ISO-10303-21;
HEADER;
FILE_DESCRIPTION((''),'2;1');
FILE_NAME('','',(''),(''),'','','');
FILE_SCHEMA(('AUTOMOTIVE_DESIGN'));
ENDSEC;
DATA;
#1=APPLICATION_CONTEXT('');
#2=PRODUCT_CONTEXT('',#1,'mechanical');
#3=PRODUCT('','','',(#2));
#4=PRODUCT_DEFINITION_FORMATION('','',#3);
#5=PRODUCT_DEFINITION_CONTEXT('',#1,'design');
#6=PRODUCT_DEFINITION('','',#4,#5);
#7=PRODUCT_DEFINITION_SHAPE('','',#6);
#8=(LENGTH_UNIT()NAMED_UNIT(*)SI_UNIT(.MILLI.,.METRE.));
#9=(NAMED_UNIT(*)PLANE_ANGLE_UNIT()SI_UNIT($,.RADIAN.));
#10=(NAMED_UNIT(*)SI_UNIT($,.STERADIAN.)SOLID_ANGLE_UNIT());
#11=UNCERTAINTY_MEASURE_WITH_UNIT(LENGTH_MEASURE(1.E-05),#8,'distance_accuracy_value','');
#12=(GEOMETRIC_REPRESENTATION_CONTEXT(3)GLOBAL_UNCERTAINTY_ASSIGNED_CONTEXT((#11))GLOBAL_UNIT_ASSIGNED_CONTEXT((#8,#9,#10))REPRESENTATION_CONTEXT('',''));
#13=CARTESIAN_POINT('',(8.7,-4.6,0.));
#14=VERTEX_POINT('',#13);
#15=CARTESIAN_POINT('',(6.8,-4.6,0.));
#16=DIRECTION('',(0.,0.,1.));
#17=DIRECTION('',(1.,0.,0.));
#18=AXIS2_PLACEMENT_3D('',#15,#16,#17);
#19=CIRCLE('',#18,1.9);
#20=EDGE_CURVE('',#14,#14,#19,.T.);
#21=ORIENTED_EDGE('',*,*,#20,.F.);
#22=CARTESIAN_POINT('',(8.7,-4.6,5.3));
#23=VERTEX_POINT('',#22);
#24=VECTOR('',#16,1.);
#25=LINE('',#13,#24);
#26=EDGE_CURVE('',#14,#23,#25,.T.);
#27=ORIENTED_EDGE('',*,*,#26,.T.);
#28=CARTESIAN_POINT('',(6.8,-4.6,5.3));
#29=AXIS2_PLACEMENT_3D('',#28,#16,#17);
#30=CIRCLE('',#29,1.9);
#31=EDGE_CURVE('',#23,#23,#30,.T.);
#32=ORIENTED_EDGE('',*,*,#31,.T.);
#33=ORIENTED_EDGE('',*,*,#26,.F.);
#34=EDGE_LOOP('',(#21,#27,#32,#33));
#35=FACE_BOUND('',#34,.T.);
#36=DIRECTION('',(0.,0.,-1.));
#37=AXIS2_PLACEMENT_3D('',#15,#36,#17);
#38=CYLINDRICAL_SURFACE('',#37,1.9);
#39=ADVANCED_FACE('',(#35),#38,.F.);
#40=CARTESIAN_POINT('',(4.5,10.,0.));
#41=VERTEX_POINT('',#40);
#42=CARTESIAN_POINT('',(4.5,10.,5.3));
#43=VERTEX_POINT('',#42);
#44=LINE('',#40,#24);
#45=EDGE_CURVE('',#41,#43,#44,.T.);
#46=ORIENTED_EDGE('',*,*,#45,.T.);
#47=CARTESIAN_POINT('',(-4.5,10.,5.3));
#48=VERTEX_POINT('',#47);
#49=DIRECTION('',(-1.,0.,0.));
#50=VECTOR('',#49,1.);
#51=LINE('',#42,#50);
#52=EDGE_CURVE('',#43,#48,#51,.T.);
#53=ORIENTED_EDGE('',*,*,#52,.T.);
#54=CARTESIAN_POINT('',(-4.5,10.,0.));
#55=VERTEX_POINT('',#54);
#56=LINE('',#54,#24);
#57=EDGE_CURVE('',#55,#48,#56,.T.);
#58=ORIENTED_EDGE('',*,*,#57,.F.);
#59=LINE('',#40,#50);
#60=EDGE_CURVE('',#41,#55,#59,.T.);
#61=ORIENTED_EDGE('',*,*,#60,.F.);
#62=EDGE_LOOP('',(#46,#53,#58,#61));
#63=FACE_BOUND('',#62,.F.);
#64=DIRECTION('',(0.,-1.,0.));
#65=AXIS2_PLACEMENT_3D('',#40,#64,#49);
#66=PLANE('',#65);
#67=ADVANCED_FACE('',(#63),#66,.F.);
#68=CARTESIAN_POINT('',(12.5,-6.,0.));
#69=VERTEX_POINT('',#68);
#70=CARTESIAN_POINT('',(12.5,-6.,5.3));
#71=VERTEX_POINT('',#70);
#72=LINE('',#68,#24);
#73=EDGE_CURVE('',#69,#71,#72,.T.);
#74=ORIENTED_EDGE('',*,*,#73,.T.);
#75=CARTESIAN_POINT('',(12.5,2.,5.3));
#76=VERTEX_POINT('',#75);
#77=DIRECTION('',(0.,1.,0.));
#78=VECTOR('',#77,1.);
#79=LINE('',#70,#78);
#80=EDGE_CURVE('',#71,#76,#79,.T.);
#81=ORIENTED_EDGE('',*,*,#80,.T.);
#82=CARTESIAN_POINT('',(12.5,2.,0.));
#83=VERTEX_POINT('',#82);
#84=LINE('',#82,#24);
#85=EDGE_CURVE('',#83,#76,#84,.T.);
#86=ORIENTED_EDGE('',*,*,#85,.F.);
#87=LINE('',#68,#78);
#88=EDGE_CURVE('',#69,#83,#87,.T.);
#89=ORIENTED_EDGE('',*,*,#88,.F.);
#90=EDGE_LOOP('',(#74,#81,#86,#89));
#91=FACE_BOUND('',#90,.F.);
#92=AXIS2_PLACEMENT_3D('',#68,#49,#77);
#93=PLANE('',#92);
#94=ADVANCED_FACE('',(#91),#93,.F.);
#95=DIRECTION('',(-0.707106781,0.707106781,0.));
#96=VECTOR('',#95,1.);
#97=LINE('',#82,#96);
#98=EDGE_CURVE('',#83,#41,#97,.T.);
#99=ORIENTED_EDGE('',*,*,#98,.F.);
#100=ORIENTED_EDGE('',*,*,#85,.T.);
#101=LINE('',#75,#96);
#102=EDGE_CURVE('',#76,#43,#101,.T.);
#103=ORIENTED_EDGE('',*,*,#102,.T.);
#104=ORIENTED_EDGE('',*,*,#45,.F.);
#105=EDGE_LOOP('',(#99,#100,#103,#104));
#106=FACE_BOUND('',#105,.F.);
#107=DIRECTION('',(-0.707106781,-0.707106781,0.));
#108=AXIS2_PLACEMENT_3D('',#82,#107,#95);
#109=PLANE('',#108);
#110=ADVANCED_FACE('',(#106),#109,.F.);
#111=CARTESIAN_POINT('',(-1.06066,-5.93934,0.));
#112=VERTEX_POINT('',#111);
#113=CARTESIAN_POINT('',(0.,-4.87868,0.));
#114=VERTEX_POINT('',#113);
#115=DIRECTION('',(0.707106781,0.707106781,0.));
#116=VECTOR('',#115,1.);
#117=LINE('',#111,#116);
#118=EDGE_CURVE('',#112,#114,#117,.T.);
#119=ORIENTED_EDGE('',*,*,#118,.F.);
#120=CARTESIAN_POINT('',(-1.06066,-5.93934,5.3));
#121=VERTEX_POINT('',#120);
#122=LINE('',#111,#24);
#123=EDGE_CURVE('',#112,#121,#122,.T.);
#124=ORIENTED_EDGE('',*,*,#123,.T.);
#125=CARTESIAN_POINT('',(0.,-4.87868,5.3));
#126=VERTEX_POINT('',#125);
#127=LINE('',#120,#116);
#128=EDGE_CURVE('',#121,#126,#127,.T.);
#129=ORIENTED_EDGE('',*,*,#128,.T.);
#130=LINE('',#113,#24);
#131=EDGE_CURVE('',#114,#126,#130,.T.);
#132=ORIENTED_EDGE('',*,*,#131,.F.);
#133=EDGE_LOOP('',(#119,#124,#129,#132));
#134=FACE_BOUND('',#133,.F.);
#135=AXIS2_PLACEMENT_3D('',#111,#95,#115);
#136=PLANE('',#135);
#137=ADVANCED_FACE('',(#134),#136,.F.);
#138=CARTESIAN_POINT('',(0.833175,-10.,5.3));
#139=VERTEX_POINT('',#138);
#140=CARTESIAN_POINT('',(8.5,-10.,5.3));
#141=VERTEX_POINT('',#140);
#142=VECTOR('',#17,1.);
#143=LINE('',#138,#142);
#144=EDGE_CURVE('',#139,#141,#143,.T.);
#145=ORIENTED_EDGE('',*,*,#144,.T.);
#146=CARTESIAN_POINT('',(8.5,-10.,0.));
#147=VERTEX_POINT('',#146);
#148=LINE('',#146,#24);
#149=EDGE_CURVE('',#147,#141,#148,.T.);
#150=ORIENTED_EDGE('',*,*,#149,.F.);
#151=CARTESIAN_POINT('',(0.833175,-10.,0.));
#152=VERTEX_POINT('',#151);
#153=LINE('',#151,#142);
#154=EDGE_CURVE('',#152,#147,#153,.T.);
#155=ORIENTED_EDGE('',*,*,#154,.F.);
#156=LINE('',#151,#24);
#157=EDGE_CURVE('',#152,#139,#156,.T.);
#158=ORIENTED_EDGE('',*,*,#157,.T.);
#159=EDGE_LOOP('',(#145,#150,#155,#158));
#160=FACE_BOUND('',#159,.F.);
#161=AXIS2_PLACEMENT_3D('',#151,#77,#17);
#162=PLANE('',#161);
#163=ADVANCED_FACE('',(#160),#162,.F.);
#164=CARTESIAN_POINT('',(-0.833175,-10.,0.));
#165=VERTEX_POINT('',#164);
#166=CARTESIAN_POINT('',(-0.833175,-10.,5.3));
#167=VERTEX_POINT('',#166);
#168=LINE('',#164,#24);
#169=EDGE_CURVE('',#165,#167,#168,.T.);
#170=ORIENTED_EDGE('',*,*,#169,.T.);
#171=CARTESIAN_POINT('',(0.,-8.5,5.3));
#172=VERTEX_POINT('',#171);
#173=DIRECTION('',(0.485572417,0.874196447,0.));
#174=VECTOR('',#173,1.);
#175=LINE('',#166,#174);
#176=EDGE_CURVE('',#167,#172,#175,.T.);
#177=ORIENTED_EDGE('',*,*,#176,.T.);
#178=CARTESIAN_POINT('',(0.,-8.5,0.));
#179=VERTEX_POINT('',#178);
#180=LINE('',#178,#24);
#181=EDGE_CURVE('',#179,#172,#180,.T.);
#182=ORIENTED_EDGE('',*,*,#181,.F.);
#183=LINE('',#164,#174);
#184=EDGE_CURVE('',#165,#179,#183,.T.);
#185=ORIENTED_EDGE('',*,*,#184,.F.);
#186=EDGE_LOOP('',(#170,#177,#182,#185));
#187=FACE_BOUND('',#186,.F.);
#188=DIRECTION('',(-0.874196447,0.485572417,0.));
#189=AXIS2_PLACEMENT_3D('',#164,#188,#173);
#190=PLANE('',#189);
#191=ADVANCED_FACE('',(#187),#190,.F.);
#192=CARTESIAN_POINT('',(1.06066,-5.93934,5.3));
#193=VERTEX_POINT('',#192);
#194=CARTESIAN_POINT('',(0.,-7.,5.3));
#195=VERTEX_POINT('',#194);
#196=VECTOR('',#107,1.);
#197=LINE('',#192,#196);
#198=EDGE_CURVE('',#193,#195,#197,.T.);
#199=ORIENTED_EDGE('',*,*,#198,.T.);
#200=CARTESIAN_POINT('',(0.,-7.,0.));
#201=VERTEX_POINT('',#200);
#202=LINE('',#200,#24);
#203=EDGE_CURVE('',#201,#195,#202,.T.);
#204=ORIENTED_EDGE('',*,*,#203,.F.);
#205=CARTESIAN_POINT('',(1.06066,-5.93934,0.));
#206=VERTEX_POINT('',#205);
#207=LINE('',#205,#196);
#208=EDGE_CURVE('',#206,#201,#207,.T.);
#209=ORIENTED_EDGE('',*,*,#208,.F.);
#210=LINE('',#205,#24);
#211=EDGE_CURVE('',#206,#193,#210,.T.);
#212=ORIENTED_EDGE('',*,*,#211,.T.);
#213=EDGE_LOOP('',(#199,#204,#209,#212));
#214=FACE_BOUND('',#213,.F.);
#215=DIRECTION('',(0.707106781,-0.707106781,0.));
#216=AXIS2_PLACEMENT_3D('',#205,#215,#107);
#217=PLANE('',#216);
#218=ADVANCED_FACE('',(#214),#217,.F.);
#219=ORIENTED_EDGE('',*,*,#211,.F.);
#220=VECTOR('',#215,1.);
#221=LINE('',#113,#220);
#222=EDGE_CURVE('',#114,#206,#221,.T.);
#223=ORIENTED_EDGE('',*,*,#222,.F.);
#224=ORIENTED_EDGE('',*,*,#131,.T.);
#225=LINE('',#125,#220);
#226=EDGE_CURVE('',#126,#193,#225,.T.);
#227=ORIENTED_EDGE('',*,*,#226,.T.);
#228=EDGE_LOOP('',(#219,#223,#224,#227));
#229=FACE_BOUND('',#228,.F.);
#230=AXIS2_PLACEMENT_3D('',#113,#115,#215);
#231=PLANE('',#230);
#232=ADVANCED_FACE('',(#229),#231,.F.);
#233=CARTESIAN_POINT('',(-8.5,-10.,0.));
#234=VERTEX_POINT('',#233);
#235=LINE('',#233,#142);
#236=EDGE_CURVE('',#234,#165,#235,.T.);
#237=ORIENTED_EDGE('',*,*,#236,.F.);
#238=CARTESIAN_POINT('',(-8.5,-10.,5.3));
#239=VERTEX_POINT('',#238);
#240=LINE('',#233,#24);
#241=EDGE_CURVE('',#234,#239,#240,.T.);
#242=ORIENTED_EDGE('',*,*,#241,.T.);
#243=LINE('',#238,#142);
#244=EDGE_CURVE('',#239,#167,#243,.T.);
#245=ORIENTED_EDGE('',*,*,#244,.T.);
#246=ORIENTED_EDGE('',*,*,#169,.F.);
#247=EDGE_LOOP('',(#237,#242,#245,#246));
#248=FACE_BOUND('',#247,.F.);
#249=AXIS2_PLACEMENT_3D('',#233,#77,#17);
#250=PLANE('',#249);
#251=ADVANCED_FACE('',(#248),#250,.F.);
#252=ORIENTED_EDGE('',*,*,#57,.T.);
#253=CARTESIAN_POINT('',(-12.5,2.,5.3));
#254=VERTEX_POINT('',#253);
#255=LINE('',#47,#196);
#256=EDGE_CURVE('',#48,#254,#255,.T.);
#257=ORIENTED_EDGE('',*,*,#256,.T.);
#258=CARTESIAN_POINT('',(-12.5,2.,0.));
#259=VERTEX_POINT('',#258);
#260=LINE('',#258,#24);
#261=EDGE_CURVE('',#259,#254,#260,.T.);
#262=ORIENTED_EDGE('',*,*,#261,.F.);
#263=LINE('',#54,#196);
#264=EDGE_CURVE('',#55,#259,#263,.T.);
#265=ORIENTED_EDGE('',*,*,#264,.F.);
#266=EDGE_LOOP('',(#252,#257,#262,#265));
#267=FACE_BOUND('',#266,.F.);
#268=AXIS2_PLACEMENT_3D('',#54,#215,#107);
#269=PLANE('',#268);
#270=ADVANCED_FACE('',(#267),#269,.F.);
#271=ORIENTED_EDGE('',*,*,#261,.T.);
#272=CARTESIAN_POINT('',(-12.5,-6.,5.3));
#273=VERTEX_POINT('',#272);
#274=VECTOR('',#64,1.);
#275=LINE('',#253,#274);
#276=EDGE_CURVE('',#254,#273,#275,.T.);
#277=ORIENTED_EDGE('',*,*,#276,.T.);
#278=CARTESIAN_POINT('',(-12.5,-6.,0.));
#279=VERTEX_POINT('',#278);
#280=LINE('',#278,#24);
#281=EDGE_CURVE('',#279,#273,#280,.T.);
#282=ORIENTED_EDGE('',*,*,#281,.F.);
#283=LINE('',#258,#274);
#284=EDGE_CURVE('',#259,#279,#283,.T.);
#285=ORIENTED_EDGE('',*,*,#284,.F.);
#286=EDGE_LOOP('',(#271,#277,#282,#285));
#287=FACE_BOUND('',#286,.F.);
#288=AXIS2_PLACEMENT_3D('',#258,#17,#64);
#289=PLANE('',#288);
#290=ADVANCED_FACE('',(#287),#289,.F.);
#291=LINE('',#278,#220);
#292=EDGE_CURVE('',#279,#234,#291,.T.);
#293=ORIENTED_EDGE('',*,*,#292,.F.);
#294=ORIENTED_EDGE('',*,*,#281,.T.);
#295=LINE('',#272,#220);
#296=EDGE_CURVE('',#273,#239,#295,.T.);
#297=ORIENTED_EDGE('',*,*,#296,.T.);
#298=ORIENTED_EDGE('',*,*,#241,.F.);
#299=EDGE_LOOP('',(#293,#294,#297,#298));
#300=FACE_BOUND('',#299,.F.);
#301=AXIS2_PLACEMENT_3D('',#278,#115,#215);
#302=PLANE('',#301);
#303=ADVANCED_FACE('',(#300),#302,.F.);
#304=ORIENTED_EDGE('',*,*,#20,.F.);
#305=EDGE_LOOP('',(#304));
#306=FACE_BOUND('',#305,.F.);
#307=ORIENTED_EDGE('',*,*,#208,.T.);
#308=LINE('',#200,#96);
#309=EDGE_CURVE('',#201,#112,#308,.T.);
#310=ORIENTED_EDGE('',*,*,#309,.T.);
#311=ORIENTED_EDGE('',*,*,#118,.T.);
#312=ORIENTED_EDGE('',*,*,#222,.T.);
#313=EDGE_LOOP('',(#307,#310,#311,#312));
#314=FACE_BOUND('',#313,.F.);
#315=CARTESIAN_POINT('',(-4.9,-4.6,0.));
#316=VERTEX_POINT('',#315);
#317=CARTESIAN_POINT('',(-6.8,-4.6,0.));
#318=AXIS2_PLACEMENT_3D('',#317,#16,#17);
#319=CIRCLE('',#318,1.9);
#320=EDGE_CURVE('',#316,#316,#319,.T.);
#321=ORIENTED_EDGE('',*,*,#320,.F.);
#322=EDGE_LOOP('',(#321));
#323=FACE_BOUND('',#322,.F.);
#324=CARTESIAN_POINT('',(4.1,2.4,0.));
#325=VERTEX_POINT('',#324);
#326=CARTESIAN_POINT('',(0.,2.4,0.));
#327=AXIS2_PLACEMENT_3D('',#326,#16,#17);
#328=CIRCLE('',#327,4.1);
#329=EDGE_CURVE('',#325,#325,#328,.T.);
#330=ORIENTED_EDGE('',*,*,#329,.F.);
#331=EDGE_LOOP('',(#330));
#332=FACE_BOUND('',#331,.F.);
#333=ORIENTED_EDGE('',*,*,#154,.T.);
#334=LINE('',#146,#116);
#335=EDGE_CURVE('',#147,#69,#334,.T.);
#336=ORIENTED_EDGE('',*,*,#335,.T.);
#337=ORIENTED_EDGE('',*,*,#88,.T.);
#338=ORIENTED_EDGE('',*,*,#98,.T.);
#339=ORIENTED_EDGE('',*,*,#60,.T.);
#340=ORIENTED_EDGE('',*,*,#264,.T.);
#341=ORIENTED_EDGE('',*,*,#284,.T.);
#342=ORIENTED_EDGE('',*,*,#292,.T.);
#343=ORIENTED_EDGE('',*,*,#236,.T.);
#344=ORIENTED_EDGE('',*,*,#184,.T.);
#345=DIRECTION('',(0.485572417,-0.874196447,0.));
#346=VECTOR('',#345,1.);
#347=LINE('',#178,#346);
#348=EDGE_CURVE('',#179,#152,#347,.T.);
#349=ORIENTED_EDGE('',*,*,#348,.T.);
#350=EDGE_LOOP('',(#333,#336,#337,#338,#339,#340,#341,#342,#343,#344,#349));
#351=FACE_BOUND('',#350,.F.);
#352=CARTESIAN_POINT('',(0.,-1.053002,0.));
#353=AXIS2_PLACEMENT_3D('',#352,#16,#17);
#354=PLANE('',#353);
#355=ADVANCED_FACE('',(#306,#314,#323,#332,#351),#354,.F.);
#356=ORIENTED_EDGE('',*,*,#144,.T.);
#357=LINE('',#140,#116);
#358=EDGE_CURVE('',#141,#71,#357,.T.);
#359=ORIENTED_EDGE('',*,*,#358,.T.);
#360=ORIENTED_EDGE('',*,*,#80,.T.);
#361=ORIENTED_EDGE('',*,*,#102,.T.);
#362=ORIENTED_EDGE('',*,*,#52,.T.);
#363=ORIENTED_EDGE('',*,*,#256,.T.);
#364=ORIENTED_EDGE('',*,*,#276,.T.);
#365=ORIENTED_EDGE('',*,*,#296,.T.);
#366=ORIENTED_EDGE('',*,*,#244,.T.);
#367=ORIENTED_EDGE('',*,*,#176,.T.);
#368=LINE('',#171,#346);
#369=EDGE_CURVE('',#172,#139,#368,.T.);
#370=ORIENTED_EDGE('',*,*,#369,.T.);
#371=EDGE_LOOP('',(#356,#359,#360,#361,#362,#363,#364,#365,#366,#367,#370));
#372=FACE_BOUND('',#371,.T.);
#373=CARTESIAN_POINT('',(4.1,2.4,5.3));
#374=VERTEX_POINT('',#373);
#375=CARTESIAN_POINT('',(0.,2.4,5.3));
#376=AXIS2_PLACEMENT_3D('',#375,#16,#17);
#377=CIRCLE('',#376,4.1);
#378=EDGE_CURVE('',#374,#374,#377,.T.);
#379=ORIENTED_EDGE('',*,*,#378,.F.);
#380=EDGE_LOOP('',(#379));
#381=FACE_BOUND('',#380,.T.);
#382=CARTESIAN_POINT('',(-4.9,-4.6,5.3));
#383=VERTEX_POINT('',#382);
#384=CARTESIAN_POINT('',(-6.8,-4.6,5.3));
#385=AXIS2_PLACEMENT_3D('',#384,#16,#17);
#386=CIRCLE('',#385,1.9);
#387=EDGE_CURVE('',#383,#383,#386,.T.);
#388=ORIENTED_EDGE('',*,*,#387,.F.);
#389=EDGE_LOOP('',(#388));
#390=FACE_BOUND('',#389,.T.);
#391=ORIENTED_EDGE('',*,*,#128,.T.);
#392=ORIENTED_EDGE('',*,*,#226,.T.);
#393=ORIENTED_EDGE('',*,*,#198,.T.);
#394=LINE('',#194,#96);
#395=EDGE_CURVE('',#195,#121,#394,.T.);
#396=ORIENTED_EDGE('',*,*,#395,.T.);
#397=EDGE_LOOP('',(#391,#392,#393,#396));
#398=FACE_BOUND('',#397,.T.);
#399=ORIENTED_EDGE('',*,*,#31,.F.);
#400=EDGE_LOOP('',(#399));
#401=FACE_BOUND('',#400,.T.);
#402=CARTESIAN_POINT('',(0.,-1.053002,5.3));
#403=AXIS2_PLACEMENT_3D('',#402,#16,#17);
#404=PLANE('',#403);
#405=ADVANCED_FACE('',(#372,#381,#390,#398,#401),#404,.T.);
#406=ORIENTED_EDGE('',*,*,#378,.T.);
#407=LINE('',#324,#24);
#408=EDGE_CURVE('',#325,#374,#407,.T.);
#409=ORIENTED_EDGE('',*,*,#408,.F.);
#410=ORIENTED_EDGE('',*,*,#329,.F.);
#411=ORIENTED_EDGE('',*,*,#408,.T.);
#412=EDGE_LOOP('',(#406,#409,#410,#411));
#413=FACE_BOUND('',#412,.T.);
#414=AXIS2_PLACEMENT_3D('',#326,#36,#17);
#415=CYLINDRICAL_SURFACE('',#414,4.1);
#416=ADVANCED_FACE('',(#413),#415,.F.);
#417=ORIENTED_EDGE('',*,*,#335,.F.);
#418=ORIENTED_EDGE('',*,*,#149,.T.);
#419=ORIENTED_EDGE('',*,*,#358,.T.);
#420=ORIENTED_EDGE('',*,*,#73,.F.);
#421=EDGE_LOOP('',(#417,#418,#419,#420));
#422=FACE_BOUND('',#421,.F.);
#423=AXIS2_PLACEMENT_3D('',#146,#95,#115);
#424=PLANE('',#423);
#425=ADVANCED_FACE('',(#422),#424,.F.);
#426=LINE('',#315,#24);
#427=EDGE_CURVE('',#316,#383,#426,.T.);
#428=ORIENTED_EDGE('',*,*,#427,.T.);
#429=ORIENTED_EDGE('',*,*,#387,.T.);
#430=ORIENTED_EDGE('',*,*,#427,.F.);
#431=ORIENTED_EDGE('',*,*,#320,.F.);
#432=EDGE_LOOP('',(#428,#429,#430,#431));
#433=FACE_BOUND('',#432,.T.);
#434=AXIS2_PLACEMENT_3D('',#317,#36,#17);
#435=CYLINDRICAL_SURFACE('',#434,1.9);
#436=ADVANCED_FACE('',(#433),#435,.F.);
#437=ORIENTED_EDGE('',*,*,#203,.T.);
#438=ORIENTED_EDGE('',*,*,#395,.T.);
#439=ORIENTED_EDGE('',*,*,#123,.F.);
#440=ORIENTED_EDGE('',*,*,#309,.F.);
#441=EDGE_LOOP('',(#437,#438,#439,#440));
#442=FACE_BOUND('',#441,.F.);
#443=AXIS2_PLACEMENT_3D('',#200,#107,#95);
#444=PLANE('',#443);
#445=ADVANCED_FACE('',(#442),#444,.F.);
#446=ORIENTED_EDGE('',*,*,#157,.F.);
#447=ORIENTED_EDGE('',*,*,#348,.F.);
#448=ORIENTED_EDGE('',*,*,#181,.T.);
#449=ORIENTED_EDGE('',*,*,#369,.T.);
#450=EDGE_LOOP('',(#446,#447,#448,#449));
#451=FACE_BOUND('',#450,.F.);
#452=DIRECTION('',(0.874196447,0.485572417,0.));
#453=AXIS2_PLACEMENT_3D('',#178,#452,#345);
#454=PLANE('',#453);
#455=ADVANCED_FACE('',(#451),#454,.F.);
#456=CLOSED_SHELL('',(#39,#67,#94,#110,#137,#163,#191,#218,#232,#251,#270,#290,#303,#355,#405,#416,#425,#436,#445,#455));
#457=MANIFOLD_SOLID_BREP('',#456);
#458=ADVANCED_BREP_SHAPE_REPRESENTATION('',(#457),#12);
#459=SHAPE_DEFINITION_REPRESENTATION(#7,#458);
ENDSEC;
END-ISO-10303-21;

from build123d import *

# Parameters (mm, degrees)
F0_R     = 1.9
F0_R_2   = 4.1
F1_DEPTH = 5.3


with BuildPart() as f1:
    # F0 (on Top) → F1 (new body)
    with BuildSketch(Plane.XY):
        Polygon((4.5, 10), (-4.5, 10), (-12.5, 2), (-12.5, -6), (-8.5, -10), (-0.833175, -10), (0, -8.5), (0.833175, -10), (8.5, -10), (12.5, -6), (12.5, 2), align=None)
        with Locations((-6.8, -4.6)):
            Circle(F0_R, mode=Mode.SUBTRACT)
        Polygon((-1.06066, -5.93934), (0, -4.87868), (1.06066, -5.93934), (0, -7), align=None, mode=Mode.SUBTRACT)
        with Locations((6.8, -4.6)):
            Circle(F0_R, mode=Mode.SUBTRACT)
        with Locations((0, 2.4)):
            Circle(F0_R_2, mode=Mode.SUBTRACT)
    extrude(amount=F1_DEPTH)


solid = f1.part
